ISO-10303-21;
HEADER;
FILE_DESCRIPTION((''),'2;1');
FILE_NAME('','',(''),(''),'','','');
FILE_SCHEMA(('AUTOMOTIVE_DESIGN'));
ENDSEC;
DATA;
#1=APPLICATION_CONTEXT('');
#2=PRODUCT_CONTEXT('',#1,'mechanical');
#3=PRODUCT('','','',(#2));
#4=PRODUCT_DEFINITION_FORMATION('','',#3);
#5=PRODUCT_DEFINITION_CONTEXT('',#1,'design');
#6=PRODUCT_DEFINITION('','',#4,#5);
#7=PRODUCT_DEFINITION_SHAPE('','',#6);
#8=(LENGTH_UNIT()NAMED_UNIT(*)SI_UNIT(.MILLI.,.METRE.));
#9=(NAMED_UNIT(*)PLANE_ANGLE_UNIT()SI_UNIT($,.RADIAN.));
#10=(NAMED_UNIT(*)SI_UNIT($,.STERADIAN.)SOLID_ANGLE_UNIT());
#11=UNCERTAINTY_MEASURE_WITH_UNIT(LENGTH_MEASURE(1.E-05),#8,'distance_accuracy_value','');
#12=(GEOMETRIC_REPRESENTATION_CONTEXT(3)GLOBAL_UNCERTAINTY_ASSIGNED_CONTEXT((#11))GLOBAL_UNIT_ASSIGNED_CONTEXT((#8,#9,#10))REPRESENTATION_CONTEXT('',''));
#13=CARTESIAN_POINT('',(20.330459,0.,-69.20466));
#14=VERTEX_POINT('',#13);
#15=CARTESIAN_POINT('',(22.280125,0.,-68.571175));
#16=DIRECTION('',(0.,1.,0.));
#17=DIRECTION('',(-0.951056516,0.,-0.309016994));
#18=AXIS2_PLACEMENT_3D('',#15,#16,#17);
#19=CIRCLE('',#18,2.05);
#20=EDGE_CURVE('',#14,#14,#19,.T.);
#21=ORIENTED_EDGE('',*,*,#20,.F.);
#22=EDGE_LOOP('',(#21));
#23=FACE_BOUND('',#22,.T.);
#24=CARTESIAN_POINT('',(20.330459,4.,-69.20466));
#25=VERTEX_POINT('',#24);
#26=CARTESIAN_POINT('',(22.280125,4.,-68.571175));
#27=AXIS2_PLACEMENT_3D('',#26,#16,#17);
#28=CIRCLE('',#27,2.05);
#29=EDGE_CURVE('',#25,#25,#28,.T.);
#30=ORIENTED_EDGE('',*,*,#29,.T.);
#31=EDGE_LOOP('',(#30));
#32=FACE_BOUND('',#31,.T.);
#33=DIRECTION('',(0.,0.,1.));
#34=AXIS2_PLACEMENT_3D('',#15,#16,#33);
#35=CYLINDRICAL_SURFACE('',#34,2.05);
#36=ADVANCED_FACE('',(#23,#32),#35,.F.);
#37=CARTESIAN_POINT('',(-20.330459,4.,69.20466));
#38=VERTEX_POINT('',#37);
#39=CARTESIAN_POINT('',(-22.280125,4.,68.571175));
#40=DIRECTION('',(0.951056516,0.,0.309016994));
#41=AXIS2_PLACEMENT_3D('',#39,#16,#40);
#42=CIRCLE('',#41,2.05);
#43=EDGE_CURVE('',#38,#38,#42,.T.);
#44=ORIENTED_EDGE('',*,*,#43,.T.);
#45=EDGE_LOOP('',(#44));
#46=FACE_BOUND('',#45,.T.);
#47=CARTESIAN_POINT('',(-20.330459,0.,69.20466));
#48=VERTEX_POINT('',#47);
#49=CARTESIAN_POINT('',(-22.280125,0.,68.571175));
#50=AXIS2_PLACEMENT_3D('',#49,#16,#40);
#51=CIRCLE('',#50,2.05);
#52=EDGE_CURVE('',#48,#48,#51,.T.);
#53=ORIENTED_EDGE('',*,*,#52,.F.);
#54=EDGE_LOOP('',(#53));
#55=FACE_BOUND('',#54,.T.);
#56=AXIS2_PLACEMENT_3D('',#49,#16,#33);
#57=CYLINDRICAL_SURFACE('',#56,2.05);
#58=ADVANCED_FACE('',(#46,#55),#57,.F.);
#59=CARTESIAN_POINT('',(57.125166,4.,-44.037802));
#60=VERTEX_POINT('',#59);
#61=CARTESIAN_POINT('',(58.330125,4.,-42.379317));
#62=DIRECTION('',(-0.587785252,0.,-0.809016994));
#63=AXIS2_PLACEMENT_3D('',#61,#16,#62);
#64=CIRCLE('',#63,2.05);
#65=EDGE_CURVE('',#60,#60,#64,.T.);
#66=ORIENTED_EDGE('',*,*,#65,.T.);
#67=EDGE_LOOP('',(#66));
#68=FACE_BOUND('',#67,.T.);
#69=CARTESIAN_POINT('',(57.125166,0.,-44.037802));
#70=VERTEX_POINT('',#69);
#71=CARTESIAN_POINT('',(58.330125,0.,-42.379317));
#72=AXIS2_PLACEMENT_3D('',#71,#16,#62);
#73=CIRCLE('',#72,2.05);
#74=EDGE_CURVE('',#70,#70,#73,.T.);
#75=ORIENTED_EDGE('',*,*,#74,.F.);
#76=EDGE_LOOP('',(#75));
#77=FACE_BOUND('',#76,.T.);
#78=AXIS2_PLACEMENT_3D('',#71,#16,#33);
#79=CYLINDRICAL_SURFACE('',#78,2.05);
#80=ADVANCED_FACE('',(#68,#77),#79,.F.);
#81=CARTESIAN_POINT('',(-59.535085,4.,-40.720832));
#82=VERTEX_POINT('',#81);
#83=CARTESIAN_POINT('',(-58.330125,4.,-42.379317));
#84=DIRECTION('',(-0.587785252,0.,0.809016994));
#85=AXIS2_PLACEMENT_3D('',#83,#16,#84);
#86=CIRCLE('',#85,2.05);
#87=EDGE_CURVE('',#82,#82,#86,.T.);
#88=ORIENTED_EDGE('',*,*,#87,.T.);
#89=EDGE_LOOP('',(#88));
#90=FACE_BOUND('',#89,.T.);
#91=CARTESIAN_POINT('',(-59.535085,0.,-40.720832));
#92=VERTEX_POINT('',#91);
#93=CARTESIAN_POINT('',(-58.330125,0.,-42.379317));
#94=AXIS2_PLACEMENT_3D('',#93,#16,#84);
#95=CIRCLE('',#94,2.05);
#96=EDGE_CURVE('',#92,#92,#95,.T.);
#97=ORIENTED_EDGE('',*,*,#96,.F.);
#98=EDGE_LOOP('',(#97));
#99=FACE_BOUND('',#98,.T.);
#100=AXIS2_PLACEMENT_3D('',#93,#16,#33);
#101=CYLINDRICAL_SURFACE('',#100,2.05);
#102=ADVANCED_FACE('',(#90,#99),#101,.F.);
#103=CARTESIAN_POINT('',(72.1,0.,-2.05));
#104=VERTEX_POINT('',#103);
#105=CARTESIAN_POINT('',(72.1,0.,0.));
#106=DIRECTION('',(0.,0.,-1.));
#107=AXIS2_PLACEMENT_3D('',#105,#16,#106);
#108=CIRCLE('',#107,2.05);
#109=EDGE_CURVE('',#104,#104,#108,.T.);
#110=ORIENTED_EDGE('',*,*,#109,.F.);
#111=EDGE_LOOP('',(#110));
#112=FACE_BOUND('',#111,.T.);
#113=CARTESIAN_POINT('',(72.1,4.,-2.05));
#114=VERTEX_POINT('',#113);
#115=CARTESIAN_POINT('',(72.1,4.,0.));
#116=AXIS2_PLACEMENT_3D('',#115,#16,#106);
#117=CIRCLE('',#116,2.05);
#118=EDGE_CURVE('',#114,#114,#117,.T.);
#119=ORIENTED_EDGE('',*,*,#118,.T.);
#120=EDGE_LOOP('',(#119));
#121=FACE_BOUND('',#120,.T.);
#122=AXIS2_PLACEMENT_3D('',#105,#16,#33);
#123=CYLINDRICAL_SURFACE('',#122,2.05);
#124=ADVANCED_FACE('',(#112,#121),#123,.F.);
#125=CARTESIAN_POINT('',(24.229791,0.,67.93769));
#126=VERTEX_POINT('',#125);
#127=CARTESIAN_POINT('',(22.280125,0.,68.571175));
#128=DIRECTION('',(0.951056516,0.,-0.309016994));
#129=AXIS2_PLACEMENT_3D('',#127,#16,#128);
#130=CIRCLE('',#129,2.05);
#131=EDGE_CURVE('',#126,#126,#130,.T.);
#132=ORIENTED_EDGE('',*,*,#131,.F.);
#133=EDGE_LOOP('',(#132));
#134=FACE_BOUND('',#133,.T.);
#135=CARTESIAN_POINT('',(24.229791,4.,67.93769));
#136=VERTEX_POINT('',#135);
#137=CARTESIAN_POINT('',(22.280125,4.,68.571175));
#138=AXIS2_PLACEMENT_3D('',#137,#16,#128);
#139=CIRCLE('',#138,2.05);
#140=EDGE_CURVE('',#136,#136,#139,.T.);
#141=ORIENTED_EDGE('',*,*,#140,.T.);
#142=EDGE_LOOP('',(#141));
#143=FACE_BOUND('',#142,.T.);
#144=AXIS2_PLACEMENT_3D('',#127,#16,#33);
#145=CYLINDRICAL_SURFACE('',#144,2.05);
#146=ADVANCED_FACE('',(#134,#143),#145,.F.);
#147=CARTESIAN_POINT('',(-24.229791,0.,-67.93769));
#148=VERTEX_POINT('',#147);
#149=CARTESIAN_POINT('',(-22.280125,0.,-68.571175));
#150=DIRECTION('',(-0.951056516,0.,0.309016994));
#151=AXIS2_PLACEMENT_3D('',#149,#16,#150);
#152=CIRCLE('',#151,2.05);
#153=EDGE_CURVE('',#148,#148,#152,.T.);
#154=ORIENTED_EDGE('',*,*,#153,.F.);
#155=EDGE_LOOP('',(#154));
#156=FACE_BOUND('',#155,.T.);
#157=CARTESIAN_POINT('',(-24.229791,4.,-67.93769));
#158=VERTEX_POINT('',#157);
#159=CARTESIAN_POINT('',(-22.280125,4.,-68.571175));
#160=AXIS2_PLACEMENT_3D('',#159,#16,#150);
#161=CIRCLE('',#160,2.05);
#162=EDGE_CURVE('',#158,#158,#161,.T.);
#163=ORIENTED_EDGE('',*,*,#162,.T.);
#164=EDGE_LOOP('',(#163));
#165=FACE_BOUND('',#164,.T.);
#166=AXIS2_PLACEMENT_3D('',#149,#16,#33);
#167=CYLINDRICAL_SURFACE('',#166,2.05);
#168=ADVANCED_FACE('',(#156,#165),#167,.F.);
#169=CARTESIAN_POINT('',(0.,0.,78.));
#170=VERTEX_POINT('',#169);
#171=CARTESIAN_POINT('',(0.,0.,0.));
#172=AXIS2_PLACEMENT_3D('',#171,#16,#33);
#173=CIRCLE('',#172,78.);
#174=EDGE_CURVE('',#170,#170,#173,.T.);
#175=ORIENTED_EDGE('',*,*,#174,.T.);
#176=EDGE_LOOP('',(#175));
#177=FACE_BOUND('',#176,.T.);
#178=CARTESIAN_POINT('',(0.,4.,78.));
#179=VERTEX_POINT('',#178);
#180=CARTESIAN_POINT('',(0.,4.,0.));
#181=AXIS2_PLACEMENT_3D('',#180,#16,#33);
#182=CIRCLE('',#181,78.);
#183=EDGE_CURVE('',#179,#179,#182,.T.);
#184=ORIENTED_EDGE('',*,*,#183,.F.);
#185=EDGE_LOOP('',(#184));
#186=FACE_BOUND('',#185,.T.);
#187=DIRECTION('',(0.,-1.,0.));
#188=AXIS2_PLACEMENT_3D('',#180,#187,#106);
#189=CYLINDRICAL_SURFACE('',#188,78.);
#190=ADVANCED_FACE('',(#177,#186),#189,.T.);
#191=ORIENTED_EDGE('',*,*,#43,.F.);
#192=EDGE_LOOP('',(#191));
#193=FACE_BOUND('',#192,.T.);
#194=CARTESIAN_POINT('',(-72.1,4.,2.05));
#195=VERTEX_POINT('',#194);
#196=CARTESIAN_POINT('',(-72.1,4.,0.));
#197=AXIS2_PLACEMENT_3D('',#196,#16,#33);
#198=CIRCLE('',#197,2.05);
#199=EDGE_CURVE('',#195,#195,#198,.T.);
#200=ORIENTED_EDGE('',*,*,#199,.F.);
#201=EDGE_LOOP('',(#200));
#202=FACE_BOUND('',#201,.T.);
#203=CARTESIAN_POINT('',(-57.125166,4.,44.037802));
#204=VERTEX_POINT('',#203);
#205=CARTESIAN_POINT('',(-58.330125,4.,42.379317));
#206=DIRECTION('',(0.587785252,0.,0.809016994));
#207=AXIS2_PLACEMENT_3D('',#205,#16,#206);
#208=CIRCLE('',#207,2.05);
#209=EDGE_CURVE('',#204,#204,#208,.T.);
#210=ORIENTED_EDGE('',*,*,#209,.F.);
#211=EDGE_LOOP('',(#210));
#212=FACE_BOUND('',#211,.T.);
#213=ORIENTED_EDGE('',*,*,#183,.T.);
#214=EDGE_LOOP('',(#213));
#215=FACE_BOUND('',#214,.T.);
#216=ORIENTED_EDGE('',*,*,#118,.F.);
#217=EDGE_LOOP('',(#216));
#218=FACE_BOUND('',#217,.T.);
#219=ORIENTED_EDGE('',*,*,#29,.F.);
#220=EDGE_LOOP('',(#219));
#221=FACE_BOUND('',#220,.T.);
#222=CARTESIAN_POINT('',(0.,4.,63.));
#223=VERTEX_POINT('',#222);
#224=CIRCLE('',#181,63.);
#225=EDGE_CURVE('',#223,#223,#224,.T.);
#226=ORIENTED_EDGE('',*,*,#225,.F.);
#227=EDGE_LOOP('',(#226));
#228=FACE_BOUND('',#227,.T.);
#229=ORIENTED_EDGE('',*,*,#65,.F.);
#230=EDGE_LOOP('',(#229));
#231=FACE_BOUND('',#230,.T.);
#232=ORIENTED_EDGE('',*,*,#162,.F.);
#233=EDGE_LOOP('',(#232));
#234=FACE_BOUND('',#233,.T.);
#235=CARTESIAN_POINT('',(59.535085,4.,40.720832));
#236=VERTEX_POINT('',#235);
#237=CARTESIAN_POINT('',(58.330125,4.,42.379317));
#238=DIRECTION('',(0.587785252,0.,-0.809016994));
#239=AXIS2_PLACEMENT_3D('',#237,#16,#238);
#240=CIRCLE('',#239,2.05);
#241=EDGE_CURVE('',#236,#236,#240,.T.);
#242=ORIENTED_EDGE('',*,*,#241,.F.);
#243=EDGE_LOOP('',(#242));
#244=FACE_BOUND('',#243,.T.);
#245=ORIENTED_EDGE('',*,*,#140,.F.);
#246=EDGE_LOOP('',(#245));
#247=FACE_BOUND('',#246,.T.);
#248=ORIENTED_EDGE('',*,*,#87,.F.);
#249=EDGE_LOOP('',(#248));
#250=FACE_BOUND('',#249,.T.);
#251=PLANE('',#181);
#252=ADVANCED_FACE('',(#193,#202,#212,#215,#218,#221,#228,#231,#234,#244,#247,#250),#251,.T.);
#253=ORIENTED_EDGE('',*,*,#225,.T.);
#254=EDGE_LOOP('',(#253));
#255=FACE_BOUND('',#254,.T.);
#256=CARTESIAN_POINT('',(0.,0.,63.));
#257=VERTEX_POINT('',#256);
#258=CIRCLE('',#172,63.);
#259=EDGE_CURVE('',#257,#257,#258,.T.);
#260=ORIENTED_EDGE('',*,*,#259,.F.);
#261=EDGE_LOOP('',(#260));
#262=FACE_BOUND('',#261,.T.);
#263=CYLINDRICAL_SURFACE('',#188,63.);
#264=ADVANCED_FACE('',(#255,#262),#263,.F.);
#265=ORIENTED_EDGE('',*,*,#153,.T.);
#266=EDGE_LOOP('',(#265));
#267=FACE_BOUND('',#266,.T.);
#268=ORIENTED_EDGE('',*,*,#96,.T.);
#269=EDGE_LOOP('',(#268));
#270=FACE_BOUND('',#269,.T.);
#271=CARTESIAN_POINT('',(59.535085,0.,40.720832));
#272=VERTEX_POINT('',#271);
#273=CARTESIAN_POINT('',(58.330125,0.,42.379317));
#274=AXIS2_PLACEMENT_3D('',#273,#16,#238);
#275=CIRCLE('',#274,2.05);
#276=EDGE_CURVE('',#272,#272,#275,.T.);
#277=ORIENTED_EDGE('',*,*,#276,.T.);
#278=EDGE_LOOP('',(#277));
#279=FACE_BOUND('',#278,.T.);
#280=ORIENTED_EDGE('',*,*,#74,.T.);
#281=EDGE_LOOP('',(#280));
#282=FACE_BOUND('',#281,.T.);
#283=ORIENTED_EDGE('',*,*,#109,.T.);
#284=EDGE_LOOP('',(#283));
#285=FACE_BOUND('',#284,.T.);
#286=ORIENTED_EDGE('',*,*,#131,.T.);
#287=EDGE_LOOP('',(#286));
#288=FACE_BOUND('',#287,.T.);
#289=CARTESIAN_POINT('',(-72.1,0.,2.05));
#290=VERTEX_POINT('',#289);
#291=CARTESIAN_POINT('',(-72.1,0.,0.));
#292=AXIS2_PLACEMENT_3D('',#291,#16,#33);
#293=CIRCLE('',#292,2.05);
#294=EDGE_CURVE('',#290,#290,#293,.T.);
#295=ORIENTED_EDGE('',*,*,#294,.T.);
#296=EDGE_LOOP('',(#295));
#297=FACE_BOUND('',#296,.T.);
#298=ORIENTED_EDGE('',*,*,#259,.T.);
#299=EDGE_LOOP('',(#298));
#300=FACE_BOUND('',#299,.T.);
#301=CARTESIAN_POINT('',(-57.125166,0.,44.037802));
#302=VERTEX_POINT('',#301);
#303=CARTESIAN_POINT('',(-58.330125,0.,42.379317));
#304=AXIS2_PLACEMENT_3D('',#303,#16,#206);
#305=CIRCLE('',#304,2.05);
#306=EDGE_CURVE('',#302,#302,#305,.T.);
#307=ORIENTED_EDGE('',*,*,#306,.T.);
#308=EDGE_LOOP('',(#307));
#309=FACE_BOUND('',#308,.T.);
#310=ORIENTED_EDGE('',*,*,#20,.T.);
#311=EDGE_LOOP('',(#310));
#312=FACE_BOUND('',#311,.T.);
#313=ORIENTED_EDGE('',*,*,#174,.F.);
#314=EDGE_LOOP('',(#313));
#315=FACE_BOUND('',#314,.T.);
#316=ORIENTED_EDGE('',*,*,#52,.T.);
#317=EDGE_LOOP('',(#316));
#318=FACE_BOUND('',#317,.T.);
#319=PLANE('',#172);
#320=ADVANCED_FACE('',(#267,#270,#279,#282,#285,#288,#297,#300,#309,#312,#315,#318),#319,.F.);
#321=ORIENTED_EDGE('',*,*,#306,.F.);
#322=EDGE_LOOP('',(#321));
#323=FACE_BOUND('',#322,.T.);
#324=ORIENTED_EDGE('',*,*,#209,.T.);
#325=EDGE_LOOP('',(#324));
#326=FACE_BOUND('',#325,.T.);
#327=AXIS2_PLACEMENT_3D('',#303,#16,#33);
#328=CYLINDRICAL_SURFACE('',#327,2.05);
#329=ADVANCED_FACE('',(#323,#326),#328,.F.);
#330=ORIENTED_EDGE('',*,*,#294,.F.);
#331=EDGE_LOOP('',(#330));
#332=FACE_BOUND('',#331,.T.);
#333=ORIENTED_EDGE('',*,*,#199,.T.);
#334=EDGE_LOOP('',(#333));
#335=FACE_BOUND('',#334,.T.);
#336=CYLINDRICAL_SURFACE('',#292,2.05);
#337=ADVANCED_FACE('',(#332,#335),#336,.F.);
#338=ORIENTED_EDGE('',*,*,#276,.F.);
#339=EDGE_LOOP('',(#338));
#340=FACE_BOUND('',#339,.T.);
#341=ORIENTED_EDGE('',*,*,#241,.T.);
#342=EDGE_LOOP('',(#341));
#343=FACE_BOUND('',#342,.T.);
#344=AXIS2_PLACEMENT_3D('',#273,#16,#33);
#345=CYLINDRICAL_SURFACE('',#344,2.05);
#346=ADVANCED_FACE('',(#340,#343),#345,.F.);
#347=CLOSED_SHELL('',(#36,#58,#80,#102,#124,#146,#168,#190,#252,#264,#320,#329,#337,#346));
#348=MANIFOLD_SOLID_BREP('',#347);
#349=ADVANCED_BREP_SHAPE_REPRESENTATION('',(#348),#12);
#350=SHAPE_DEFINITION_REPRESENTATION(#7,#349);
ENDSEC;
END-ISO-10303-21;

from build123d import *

# Parameters (mm, degrees)
SKETCH_1_R               = 78
SKETCH_1_R_2             = 63
EXTRUDE_1_DEPTH          = 4
SKETCH_2_R               = 2.05
CUT_EXTRUDE_1_DEPTH      = 4
PATTERN_CIRCULAR_1_COUNT = 10


with BuildPart() as part:
    # 草图1 → 凸台-拉伸1 (new body)
    with BuildSketch(Plane(origin=(0, 0, 0), x_dir=(1, 0, 0), z_dir=(0, 1, 0))):
        with Locations(Location((0, 0, 0), (0, 0, 270))):
            Circle(SKETCH_1_R)
        with Locations(Location((0, 0, 0), (0, 0, 270))):
            Circle(SKETCH_1_R_2, mode=Mode.SUBTRACT)
    extrude(amount=EXTRUDE_1_DEPTH)

    # 草图2 → 切除-拉伸1 (cut)
    with BuildSketch(Plane(origin=(0, 4, 0), x_dir=(1, 0, 0), z_dir=(0, 1, 0))):
        with Locations(Location((-72.1, 0, 0), (0, 0, 270))):
            Circle(SKETCH_2_R)
    cut_extrude_1 = extrude(amount=-CUT_EXTRUDE_1_DEPTH, mode=Mode.SUBTRACT)

    # 阵列(圆周)1: 切除-拉伸1 ×10 about axis
    pattern_circular_1_axis = Axis((0, 0, 0), (0, 1, 0))
    for i in range(1, PATTERN_CIRCULAR_1_COUNT):
        add(cut_extrude_1.rotate(pattern_circular_1_axis, i * 360 / PATTERN_CIRCULAR_1_COUNT), mode=Mode.SUBTRACT)


solid = part.part
